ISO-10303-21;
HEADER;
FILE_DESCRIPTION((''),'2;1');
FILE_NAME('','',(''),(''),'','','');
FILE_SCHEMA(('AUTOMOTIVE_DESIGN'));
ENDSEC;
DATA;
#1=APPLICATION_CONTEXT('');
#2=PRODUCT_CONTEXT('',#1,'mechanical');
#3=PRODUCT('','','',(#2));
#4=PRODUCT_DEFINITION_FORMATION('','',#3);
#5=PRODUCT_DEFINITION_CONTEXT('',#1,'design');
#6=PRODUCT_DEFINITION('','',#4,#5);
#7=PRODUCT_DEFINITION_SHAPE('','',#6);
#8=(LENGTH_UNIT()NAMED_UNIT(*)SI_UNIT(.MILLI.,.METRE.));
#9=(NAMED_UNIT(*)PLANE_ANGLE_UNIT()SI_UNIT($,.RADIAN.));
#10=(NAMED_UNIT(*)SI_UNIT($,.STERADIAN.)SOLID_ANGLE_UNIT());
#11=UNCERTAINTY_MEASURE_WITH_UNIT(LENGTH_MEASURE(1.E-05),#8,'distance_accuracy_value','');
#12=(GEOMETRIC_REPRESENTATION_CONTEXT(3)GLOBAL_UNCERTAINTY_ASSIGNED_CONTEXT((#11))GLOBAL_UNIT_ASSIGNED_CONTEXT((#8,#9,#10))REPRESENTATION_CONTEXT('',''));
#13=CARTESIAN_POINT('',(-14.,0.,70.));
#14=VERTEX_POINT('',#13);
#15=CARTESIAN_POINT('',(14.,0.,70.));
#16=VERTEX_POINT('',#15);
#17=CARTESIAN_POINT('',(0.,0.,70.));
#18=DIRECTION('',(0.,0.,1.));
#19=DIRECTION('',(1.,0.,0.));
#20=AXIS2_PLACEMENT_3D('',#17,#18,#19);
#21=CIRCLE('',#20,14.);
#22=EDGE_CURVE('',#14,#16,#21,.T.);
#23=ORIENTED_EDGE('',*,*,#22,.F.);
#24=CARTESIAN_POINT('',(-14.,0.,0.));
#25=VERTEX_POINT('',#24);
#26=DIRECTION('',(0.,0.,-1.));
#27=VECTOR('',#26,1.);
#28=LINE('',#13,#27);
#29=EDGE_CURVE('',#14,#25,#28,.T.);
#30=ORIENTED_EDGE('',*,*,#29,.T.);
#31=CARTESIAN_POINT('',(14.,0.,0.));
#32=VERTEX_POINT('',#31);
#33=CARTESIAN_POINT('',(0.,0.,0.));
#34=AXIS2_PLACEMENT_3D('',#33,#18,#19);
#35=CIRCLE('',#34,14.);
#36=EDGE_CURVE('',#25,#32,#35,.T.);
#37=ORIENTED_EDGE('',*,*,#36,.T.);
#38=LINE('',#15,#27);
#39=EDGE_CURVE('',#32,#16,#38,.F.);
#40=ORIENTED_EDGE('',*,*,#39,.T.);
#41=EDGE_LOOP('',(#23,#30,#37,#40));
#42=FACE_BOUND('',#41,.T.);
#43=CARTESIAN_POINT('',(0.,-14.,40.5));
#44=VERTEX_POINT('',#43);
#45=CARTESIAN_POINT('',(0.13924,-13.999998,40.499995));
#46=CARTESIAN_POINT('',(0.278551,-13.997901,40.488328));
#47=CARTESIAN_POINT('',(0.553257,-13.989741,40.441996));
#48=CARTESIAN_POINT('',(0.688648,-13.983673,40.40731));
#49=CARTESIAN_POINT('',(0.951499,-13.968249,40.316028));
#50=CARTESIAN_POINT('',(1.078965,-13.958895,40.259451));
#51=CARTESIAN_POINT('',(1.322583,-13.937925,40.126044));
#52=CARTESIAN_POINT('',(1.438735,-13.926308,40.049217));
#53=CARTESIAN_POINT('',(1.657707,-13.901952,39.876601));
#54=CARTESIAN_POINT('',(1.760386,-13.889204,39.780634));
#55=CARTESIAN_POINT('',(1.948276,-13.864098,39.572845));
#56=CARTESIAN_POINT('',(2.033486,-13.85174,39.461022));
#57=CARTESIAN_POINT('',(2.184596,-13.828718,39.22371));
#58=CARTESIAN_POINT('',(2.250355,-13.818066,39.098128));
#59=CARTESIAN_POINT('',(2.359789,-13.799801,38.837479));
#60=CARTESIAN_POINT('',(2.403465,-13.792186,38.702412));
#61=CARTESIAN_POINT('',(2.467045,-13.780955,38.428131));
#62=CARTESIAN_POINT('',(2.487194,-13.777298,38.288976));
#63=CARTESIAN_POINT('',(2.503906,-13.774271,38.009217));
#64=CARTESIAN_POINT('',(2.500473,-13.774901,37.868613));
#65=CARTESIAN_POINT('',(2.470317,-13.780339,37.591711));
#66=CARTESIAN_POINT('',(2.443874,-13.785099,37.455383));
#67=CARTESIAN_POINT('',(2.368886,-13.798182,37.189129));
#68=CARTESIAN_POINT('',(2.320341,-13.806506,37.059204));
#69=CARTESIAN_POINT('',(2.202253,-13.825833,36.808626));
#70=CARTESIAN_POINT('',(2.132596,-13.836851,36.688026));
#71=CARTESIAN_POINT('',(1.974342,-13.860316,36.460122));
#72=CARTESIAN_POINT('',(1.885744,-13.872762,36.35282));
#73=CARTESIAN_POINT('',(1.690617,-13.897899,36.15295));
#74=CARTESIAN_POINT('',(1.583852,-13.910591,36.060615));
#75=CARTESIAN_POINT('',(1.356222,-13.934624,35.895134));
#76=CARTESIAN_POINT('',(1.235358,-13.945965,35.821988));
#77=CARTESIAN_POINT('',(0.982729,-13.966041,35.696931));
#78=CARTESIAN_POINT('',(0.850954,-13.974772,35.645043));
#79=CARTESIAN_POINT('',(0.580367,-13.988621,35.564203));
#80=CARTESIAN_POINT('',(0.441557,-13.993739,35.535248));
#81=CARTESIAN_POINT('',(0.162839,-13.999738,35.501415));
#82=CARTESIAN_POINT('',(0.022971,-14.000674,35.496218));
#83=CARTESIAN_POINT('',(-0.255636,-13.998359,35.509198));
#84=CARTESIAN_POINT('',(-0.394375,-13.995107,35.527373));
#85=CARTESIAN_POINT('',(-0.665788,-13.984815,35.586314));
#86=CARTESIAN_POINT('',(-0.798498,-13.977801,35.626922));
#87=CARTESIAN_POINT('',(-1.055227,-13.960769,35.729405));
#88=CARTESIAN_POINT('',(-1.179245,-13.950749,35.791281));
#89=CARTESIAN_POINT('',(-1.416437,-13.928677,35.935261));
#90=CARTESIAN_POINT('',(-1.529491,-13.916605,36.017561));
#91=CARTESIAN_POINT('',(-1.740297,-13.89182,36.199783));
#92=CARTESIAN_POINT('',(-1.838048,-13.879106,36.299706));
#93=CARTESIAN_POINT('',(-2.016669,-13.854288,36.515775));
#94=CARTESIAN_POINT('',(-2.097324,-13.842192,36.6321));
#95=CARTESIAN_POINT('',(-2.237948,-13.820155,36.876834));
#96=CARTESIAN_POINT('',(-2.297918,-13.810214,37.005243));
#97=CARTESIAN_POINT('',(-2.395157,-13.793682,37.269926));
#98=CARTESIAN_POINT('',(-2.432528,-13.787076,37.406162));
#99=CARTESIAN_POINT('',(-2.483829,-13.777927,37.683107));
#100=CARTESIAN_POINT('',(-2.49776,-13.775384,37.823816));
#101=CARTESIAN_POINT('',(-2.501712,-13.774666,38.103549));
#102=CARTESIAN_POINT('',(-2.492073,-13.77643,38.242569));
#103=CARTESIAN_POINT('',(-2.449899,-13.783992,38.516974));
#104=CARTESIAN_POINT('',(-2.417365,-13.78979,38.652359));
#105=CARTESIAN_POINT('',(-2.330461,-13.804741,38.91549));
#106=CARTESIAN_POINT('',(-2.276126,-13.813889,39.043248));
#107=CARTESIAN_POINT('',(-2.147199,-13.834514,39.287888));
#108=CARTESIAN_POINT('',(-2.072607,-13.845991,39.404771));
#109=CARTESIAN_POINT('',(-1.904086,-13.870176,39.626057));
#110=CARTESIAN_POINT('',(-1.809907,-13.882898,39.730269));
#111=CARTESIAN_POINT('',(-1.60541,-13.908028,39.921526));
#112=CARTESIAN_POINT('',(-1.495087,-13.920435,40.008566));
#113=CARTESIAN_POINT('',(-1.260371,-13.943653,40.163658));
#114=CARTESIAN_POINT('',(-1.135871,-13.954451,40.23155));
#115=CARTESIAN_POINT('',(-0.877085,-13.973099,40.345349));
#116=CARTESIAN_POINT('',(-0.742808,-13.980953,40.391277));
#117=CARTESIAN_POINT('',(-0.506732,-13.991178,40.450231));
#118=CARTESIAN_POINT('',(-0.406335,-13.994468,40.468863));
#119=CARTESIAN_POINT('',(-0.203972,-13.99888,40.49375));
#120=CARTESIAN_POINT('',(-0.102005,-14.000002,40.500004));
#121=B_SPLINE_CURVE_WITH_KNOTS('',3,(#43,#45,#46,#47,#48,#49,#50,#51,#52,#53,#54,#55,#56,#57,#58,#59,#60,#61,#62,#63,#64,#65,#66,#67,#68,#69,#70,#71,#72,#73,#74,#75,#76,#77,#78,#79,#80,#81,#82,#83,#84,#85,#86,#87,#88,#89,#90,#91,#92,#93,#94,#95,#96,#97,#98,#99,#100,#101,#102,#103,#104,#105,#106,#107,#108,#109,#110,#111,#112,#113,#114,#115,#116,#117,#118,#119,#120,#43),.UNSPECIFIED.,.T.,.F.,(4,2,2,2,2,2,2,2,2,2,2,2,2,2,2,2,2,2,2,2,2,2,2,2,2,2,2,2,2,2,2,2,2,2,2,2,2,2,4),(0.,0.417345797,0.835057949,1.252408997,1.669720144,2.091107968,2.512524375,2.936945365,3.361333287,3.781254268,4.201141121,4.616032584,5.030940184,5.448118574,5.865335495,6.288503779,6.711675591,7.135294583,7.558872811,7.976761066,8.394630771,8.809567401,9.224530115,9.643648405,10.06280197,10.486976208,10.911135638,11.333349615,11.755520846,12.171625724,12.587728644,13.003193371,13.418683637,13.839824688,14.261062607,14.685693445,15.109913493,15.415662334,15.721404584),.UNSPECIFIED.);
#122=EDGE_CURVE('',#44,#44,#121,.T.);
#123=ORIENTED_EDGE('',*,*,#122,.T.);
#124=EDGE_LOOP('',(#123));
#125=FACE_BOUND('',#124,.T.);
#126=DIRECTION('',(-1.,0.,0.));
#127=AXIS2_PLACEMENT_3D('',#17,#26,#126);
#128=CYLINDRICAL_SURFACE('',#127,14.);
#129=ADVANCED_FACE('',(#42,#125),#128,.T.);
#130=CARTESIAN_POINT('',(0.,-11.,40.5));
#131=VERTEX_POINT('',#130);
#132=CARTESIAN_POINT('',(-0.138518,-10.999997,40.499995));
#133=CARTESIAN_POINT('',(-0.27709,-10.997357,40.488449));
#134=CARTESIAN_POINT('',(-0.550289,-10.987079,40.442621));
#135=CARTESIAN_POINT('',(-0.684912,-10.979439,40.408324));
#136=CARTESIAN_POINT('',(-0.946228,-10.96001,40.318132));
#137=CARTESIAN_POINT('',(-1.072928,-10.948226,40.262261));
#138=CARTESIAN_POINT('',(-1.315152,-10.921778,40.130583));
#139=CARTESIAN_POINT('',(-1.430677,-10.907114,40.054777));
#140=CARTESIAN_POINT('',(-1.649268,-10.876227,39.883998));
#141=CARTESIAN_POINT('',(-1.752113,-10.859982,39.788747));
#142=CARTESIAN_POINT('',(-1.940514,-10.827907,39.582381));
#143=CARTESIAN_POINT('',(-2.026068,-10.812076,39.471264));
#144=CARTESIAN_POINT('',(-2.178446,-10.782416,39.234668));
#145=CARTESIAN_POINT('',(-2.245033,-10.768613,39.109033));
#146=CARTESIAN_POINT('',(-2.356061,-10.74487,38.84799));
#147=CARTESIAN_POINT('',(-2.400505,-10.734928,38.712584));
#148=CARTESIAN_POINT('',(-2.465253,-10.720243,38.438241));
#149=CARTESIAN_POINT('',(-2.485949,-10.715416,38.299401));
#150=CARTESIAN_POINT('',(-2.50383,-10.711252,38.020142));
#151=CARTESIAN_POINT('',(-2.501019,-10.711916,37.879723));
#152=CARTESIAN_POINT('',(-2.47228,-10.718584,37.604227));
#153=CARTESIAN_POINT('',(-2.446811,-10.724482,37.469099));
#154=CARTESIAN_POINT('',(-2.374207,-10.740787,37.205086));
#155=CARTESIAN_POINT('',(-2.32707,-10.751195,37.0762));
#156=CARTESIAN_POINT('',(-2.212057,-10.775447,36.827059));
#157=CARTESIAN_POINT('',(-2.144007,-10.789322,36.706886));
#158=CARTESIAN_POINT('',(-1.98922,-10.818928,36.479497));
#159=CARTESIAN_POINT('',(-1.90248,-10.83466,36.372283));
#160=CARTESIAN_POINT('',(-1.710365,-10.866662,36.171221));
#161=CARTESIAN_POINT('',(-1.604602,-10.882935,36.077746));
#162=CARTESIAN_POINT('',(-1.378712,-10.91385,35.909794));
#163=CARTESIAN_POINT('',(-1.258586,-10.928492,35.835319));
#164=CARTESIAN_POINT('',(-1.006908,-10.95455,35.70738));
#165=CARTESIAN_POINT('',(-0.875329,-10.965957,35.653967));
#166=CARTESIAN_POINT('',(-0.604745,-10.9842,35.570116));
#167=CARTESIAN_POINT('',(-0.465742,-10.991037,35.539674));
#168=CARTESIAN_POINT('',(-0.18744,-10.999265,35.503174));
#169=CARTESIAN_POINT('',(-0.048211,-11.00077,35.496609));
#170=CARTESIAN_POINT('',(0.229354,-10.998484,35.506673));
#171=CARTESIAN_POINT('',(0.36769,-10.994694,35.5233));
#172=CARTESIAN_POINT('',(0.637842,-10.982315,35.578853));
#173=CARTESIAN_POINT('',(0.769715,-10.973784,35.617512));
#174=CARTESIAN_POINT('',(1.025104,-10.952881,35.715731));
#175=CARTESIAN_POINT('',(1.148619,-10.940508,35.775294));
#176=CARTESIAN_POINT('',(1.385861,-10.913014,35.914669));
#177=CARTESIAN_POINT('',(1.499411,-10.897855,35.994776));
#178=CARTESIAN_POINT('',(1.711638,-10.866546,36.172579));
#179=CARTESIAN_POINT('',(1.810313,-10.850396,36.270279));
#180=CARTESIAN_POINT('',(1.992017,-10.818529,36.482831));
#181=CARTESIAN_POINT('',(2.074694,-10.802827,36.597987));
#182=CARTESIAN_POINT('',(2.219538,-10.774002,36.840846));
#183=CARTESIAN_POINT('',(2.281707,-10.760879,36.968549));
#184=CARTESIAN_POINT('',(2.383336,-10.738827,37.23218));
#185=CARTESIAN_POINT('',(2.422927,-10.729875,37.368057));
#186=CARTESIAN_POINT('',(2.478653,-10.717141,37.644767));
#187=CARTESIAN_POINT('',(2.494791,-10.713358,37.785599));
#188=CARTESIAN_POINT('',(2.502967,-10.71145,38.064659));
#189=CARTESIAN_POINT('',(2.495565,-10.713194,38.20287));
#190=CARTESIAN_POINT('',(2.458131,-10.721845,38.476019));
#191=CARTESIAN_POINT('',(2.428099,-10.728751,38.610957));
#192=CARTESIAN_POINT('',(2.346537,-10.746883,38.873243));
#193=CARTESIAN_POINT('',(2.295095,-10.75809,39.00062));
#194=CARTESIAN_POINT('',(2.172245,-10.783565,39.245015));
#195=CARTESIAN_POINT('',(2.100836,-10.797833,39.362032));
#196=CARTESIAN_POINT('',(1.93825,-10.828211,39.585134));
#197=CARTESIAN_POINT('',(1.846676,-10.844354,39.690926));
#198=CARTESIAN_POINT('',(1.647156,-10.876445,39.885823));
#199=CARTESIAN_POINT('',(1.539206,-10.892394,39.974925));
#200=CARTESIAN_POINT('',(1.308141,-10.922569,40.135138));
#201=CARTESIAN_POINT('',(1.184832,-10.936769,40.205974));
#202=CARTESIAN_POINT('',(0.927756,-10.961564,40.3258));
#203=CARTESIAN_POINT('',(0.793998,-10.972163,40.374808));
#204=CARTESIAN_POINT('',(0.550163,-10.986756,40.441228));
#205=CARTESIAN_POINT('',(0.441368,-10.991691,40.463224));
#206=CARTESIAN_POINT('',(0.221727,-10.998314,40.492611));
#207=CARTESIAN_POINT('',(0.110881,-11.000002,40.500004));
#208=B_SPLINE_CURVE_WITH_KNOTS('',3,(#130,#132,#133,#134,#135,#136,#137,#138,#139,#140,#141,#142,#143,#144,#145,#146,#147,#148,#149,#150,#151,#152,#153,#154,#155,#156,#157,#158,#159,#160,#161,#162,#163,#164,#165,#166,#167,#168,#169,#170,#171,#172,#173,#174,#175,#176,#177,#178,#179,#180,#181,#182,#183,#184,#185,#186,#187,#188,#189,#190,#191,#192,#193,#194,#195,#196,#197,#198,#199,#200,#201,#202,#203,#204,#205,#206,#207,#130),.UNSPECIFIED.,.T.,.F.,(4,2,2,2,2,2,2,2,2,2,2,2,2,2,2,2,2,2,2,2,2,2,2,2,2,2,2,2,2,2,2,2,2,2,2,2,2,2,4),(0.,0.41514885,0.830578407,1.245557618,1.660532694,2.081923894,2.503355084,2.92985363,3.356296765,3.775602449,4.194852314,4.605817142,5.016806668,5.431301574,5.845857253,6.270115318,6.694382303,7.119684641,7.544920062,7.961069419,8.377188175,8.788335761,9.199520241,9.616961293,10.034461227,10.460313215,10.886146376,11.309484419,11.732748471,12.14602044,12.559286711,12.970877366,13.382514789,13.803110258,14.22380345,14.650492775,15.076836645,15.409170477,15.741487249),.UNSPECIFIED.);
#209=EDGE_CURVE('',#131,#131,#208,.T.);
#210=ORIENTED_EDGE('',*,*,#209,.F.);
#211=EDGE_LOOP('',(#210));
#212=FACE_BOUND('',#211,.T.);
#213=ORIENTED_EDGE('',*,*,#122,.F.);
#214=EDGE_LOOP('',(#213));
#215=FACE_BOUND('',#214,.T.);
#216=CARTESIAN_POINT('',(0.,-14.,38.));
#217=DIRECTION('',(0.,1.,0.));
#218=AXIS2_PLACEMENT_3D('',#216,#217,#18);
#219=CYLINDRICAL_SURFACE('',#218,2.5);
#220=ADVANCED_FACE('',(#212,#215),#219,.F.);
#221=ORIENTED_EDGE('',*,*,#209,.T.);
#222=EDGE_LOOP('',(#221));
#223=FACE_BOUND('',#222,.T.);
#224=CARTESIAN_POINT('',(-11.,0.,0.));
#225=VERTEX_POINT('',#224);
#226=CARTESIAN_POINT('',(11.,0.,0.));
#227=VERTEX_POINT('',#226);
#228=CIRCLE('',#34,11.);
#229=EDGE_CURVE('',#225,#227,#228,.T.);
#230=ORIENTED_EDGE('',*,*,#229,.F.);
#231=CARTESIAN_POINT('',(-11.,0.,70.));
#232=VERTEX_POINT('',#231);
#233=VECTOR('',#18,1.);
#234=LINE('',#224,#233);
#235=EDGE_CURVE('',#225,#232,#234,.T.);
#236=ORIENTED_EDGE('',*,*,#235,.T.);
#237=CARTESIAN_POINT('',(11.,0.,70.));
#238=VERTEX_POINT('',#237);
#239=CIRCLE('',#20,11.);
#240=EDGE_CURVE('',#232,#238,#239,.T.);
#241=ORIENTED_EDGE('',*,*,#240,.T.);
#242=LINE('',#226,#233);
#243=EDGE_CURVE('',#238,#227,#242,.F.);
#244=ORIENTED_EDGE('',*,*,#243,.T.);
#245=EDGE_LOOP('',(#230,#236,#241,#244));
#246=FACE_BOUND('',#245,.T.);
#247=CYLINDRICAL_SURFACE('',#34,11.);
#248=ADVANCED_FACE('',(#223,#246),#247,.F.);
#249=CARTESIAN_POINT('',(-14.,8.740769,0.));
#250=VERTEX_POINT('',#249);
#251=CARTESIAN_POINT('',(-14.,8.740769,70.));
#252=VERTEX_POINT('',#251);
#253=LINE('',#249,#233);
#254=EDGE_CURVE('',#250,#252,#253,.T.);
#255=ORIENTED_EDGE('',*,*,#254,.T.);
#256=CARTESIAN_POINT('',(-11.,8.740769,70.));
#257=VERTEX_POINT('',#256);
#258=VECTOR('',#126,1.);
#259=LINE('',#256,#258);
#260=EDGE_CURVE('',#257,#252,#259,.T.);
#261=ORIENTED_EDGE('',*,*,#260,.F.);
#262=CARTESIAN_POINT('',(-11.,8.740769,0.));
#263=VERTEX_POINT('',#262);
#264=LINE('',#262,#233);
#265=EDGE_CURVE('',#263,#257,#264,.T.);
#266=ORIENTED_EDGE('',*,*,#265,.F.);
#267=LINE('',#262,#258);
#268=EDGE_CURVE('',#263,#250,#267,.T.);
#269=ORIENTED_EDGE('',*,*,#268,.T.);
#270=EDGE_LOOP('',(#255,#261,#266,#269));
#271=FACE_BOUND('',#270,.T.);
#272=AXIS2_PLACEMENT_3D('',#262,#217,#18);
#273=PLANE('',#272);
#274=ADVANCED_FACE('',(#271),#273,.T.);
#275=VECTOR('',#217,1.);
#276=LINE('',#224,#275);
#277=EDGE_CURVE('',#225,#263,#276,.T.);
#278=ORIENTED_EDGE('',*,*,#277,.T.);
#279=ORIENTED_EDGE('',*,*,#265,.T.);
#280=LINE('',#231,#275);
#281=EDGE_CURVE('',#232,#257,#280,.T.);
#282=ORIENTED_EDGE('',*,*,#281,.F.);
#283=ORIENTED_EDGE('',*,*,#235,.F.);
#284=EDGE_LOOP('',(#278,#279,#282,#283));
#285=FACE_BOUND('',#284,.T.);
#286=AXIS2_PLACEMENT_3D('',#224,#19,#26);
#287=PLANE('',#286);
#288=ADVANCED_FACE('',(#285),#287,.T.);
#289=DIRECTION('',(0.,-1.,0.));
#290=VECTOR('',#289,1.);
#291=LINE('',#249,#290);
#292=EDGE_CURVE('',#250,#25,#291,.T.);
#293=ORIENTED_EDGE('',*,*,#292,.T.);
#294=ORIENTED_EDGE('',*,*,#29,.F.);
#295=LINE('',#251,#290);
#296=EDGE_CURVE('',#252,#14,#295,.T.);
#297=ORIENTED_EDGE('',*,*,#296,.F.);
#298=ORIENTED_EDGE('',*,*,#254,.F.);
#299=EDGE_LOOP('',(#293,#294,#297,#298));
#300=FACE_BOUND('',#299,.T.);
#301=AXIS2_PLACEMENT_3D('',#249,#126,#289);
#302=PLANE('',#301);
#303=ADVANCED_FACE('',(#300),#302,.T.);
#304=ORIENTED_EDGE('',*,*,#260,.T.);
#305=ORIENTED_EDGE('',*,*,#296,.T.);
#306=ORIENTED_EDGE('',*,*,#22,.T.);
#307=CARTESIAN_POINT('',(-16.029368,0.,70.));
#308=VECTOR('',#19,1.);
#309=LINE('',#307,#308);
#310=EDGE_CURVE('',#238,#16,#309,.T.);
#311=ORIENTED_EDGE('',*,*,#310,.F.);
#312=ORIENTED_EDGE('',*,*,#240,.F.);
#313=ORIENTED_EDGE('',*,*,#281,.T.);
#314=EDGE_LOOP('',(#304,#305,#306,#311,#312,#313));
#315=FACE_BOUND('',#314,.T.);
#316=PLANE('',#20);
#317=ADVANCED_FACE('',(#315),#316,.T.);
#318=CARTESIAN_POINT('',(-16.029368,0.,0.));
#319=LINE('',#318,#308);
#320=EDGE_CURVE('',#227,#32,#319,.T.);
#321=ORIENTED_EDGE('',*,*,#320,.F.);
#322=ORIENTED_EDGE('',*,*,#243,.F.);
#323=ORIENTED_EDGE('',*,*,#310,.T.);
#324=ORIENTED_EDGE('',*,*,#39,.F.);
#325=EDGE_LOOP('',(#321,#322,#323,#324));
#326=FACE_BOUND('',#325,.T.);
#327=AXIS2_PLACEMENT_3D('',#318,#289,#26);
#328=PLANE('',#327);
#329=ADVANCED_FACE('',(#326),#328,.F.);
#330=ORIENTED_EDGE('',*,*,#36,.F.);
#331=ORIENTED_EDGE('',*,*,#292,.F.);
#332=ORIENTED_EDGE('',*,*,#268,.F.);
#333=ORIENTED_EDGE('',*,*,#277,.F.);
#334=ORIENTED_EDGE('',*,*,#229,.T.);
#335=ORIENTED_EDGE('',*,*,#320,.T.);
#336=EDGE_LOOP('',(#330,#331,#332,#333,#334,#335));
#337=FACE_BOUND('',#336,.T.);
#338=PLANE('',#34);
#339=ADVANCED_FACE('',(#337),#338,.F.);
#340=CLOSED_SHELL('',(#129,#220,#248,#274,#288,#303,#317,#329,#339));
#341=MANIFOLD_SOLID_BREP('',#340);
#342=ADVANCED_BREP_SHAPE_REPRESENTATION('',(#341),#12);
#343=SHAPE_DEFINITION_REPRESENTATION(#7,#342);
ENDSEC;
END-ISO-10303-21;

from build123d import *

# Parameters (mm, degrees)
SKETCH2_R           = 14
BOSS_EXTRUDE1_DEPTH = 70
SKETCH3_R           = 11
CUT_EXTRUDE1_DEPTH  = 71
SKETCH4_W           = 32.230614228
SKETCH4_H           = 15.278665706
CUT_EXTRUDE2_DEPTH  = 71
SKETCH5_W           = 3
SKETCH5_H           = 8.740769075
BOSS_EXTRUDE3_DEPTH = 70
SKETCH7_R           = 2.5
CUT_EXTRUDE3_DEPTH  = 15


with BuildPart() as part:
    # Sketch2 → Boss-Extrude1 (new body)
    with BuildSketch(Plane.XY):
        Circle(SKETCH2_R)
    extrude(amount=BOSS_EXTRUDE1_DEPTH)

    # Sketch3 → Cut-Extrude1 (cut, through all)
    with BuildSketch(Plane.XY.offset(70)):
        Circle(SKETCH3_R)
    extrude(amount=-CUT_EXTRUDE1_DEPTH, mode=Mode.SUBTRACT)

    # Sketch4 → Cut-Extrude2 (cut, through all)
    with BuildSketch(Plane.XY.offset(70)):
        with Locations((0.085938844, 7.639332853)):
            Rectangle(SKETCH4_W, SKETCH4_H)
    extrude(amount=-CUT_EXTRUDE2_DEPTH, mode=Mode.SUBTRACT)

    # Sketch5 → Boss-Extrude3 (add)
    with BuildSketch(Plane.XY.offset(70)):
        with Locations((-12.5, 4.370384538)):
            Rectangle(SKETCH5_W, SKETCH5_H)
    extrude(amount=-BOSS_EXTRUDE3_DEPTH)

    # Sketch7 → Cut-Extrude3 (cut, through all)
    with BuildSketch(Plane(origin=(0, 0, 0), x_dir=(1, 0, 0), z_dir=(0, 1, 0))):
        with Locations((0, -38)):
            Circle(SKETCH7_R)
    extrude(amount=-CUT_EXTRUDE3_DEPTH, mode=Mode.SUBTRACT)


solid = part.part
